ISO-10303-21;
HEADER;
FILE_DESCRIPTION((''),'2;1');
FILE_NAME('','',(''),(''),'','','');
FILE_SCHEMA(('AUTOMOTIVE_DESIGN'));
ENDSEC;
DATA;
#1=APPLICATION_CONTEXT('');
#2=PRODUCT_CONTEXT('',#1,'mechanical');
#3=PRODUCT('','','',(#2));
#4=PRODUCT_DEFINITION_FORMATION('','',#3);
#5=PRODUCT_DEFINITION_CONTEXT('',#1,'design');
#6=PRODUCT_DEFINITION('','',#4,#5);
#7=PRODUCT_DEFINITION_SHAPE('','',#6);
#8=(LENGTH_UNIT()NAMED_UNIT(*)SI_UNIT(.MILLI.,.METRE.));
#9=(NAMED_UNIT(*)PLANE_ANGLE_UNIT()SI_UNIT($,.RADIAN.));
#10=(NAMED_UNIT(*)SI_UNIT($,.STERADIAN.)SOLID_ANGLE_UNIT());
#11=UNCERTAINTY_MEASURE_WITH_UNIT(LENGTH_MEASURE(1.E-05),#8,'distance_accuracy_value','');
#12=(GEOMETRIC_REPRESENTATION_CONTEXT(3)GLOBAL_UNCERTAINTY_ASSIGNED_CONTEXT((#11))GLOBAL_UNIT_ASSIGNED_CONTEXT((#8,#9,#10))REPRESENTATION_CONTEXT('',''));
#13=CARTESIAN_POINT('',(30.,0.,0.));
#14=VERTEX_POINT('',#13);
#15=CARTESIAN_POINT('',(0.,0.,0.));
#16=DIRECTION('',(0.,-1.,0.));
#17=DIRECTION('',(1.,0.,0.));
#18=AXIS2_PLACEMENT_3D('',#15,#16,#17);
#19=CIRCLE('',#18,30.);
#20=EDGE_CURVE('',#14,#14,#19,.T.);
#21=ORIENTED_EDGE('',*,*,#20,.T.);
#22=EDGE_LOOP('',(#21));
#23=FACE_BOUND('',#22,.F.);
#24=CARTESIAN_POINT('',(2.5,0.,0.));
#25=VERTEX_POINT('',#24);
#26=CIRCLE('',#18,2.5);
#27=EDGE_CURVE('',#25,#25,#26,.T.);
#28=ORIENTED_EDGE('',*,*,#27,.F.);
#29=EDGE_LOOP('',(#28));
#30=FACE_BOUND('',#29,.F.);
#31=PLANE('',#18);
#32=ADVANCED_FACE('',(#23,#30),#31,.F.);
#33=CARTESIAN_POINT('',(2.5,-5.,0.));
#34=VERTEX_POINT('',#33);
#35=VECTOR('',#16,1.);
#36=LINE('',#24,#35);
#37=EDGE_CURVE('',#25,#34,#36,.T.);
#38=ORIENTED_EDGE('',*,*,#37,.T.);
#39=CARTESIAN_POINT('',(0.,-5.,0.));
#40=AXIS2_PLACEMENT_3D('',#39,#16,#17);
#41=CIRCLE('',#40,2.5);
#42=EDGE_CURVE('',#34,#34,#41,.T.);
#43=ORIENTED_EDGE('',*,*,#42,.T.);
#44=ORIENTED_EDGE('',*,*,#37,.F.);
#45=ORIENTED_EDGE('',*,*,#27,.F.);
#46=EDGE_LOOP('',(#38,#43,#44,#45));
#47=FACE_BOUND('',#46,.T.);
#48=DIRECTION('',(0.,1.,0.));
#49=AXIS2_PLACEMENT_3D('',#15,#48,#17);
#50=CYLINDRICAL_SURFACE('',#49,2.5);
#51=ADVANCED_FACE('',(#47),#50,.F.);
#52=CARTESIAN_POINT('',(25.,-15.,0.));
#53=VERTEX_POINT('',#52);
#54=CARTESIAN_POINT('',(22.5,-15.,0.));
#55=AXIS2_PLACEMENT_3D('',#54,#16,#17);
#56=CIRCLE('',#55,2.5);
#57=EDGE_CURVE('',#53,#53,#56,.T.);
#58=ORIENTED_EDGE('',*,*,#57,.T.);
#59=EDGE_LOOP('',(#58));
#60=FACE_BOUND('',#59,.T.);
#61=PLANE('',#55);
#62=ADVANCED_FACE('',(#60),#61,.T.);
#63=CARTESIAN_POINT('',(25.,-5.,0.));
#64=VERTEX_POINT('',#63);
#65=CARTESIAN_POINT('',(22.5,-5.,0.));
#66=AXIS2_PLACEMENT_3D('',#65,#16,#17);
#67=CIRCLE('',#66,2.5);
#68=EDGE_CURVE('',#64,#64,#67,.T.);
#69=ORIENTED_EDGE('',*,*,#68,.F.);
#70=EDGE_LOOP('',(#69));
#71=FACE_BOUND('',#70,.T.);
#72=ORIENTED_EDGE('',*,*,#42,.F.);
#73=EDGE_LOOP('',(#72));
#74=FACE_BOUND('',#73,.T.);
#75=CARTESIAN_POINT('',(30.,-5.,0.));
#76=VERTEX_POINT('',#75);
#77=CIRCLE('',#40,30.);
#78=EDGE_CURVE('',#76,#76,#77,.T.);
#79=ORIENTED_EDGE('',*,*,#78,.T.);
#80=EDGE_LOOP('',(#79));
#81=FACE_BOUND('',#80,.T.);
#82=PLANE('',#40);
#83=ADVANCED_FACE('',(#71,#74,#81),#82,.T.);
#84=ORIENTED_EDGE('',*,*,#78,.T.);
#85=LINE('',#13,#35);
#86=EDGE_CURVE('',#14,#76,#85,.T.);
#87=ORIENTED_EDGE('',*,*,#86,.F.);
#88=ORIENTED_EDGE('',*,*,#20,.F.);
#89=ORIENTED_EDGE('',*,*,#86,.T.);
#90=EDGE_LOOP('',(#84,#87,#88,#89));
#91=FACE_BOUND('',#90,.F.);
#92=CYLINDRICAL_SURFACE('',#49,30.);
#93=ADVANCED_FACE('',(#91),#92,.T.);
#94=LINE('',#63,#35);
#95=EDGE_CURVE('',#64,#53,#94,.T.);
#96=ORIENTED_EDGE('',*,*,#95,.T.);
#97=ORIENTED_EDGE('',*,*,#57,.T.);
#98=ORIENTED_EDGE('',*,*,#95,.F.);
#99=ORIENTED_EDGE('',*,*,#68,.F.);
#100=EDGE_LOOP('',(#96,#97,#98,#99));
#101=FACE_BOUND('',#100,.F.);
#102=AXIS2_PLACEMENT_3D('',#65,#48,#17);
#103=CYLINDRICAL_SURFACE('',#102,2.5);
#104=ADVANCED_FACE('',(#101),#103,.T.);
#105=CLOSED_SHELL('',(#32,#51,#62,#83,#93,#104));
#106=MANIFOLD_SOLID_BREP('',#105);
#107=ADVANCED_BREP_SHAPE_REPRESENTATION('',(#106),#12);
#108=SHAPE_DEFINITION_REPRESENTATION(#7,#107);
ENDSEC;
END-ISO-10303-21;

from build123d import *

# Parameters (mm, degrees)
F0_R     = 30
F0_R_2   = 2.5
F1_DEPTH = 5
F2_R     = 2.5
F3_DEPTH = 10


with BuildPart() as f1:
    # F0 (on Front) → F1 (new body)
    with BuildSketch(Plane.XZ):
        Circle(F0_R)
        Circle(F0_R_2, mode=Mode.SUBTRACT)
    extrude(amount=F1_DEPTH)

    # F2 (on face) → F3 (join)
    with BuildSketch(Plane.XZ.offset(5)):
        with Locations((22.5, 0)):
            Circle(F2_R)
    extrude(amount=F3_DEPTH)


solid = f1.part
